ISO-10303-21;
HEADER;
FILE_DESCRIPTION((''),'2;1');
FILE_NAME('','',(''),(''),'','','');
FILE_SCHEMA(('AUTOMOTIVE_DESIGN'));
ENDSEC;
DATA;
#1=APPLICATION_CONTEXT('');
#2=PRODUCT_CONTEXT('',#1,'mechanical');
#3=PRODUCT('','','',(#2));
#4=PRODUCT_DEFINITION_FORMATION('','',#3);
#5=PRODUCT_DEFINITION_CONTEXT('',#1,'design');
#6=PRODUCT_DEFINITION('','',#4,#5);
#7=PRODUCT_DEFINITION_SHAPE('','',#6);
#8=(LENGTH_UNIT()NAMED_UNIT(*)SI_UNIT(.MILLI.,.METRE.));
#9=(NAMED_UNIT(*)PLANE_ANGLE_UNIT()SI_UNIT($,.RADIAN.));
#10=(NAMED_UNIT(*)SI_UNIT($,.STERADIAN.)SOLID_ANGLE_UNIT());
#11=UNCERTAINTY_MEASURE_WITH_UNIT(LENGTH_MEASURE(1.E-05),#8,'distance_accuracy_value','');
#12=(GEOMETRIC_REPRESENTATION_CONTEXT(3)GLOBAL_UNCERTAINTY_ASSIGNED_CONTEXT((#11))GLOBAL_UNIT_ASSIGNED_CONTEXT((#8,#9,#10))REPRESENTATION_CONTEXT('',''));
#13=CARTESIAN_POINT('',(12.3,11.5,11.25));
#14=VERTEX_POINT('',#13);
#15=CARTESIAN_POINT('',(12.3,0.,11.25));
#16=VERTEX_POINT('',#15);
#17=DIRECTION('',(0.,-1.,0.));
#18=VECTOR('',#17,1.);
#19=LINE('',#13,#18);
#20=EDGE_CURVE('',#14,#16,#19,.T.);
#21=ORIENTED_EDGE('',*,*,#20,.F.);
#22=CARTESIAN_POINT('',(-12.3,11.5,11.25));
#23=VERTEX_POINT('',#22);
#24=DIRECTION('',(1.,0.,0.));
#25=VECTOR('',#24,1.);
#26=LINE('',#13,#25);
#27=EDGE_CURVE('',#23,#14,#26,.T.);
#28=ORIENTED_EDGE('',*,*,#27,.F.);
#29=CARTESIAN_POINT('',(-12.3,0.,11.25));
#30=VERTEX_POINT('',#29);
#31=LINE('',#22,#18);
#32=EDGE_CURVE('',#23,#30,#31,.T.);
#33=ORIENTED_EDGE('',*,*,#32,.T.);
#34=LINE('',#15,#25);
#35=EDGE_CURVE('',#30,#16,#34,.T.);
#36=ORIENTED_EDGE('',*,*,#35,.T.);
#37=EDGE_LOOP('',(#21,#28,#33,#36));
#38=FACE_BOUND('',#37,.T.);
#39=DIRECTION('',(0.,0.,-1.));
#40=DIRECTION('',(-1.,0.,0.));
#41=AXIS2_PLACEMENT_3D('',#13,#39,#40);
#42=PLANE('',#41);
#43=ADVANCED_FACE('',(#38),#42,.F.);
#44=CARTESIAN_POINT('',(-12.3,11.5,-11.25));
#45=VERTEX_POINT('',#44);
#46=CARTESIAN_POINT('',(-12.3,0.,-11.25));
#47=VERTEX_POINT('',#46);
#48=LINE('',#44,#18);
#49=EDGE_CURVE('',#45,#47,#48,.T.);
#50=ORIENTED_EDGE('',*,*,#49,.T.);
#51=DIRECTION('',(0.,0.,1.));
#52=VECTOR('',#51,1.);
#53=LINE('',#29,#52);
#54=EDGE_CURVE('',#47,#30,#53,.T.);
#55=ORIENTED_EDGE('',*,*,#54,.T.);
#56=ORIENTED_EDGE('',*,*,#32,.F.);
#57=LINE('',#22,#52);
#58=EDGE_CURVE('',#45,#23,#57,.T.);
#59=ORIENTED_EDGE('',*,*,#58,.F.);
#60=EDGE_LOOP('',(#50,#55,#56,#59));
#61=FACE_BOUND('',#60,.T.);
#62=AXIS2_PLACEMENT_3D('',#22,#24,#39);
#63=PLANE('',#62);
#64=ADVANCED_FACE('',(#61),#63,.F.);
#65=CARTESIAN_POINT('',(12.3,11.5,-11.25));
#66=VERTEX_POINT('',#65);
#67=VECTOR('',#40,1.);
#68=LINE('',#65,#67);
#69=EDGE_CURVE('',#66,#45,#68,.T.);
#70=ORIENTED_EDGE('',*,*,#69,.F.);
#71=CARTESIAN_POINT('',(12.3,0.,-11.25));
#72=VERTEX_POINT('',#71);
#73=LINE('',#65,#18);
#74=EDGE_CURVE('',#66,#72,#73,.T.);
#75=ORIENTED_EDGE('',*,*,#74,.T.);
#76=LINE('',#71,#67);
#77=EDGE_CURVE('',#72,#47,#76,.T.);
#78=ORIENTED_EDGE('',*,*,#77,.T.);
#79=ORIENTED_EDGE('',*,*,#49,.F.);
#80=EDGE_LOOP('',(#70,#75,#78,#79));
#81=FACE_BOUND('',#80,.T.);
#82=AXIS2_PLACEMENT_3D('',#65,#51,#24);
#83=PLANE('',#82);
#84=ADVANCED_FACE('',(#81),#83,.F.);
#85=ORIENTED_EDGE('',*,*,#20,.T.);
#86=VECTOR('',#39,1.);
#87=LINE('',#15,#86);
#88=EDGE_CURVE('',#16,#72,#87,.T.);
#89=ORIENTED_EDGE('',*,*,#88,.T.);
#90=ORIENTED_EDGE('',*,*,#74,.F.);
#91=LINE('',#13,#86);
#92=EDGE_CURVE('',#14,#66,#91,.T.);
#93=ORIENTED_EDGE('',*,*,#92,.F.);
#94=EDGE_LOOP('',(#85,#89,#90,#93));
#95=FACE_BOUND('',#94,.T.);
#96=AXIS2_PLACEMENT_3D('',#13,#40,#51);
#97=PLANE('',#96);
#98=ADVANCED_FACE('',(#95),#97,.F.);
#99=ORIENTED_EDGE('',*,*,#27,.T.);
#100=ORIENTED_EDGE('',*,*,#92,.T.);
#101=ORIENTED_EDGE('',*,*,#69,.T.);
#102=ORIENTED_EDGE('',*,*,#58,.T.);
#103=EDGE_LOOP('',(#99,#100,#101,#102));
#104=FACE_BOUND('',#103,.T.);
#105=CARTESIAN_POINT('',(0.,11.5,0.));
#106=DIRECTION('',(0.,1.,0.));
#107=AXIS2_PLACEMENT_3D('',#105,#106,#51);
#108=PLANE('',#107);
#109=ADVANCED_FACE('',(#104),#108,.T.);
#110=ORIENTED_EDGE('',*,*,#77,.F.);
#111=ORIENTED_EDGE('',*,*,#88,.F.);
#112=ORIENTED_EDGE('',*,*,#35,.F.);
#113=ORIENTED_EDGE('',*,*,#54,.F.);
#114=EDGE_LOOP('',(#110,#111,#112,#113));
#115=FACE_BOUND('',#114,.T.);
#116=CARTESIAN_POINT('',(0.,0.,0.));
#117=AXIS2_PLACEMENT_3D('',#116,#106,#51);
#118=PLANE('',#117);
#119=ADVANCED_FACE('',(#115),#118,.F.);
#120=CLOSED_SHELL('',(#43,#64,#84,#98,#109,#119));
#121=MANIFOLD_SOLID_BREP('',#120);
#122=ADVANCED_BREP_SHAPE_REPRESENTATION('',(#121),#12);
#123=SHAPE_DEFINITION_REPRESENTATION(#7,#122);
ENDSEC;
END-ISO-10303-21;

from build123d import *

# Parameters (mm, degrees)
SCHIZZO1_W                   = 24.6
SCHIZZO1_H                   = 22.5
ESTRUSIONE_ESTRUSIONE1_DEPTH = 11.5


with BuildPart() as part:
    # Schizzo1 → Estrusione-Estrusione1 (new body)
    with BuildSketch(Plane(origin=(0, 0, 0), x_dir=(1, 0, 0), z_dir=(0, 1, 0))):
        Rectangle(SCHIZZO1_W, SCHIZZO1_H)
    extrude(amount=ESTRUSIONE_ESTRUSIONE1_DEPTH)


solid = part.part
